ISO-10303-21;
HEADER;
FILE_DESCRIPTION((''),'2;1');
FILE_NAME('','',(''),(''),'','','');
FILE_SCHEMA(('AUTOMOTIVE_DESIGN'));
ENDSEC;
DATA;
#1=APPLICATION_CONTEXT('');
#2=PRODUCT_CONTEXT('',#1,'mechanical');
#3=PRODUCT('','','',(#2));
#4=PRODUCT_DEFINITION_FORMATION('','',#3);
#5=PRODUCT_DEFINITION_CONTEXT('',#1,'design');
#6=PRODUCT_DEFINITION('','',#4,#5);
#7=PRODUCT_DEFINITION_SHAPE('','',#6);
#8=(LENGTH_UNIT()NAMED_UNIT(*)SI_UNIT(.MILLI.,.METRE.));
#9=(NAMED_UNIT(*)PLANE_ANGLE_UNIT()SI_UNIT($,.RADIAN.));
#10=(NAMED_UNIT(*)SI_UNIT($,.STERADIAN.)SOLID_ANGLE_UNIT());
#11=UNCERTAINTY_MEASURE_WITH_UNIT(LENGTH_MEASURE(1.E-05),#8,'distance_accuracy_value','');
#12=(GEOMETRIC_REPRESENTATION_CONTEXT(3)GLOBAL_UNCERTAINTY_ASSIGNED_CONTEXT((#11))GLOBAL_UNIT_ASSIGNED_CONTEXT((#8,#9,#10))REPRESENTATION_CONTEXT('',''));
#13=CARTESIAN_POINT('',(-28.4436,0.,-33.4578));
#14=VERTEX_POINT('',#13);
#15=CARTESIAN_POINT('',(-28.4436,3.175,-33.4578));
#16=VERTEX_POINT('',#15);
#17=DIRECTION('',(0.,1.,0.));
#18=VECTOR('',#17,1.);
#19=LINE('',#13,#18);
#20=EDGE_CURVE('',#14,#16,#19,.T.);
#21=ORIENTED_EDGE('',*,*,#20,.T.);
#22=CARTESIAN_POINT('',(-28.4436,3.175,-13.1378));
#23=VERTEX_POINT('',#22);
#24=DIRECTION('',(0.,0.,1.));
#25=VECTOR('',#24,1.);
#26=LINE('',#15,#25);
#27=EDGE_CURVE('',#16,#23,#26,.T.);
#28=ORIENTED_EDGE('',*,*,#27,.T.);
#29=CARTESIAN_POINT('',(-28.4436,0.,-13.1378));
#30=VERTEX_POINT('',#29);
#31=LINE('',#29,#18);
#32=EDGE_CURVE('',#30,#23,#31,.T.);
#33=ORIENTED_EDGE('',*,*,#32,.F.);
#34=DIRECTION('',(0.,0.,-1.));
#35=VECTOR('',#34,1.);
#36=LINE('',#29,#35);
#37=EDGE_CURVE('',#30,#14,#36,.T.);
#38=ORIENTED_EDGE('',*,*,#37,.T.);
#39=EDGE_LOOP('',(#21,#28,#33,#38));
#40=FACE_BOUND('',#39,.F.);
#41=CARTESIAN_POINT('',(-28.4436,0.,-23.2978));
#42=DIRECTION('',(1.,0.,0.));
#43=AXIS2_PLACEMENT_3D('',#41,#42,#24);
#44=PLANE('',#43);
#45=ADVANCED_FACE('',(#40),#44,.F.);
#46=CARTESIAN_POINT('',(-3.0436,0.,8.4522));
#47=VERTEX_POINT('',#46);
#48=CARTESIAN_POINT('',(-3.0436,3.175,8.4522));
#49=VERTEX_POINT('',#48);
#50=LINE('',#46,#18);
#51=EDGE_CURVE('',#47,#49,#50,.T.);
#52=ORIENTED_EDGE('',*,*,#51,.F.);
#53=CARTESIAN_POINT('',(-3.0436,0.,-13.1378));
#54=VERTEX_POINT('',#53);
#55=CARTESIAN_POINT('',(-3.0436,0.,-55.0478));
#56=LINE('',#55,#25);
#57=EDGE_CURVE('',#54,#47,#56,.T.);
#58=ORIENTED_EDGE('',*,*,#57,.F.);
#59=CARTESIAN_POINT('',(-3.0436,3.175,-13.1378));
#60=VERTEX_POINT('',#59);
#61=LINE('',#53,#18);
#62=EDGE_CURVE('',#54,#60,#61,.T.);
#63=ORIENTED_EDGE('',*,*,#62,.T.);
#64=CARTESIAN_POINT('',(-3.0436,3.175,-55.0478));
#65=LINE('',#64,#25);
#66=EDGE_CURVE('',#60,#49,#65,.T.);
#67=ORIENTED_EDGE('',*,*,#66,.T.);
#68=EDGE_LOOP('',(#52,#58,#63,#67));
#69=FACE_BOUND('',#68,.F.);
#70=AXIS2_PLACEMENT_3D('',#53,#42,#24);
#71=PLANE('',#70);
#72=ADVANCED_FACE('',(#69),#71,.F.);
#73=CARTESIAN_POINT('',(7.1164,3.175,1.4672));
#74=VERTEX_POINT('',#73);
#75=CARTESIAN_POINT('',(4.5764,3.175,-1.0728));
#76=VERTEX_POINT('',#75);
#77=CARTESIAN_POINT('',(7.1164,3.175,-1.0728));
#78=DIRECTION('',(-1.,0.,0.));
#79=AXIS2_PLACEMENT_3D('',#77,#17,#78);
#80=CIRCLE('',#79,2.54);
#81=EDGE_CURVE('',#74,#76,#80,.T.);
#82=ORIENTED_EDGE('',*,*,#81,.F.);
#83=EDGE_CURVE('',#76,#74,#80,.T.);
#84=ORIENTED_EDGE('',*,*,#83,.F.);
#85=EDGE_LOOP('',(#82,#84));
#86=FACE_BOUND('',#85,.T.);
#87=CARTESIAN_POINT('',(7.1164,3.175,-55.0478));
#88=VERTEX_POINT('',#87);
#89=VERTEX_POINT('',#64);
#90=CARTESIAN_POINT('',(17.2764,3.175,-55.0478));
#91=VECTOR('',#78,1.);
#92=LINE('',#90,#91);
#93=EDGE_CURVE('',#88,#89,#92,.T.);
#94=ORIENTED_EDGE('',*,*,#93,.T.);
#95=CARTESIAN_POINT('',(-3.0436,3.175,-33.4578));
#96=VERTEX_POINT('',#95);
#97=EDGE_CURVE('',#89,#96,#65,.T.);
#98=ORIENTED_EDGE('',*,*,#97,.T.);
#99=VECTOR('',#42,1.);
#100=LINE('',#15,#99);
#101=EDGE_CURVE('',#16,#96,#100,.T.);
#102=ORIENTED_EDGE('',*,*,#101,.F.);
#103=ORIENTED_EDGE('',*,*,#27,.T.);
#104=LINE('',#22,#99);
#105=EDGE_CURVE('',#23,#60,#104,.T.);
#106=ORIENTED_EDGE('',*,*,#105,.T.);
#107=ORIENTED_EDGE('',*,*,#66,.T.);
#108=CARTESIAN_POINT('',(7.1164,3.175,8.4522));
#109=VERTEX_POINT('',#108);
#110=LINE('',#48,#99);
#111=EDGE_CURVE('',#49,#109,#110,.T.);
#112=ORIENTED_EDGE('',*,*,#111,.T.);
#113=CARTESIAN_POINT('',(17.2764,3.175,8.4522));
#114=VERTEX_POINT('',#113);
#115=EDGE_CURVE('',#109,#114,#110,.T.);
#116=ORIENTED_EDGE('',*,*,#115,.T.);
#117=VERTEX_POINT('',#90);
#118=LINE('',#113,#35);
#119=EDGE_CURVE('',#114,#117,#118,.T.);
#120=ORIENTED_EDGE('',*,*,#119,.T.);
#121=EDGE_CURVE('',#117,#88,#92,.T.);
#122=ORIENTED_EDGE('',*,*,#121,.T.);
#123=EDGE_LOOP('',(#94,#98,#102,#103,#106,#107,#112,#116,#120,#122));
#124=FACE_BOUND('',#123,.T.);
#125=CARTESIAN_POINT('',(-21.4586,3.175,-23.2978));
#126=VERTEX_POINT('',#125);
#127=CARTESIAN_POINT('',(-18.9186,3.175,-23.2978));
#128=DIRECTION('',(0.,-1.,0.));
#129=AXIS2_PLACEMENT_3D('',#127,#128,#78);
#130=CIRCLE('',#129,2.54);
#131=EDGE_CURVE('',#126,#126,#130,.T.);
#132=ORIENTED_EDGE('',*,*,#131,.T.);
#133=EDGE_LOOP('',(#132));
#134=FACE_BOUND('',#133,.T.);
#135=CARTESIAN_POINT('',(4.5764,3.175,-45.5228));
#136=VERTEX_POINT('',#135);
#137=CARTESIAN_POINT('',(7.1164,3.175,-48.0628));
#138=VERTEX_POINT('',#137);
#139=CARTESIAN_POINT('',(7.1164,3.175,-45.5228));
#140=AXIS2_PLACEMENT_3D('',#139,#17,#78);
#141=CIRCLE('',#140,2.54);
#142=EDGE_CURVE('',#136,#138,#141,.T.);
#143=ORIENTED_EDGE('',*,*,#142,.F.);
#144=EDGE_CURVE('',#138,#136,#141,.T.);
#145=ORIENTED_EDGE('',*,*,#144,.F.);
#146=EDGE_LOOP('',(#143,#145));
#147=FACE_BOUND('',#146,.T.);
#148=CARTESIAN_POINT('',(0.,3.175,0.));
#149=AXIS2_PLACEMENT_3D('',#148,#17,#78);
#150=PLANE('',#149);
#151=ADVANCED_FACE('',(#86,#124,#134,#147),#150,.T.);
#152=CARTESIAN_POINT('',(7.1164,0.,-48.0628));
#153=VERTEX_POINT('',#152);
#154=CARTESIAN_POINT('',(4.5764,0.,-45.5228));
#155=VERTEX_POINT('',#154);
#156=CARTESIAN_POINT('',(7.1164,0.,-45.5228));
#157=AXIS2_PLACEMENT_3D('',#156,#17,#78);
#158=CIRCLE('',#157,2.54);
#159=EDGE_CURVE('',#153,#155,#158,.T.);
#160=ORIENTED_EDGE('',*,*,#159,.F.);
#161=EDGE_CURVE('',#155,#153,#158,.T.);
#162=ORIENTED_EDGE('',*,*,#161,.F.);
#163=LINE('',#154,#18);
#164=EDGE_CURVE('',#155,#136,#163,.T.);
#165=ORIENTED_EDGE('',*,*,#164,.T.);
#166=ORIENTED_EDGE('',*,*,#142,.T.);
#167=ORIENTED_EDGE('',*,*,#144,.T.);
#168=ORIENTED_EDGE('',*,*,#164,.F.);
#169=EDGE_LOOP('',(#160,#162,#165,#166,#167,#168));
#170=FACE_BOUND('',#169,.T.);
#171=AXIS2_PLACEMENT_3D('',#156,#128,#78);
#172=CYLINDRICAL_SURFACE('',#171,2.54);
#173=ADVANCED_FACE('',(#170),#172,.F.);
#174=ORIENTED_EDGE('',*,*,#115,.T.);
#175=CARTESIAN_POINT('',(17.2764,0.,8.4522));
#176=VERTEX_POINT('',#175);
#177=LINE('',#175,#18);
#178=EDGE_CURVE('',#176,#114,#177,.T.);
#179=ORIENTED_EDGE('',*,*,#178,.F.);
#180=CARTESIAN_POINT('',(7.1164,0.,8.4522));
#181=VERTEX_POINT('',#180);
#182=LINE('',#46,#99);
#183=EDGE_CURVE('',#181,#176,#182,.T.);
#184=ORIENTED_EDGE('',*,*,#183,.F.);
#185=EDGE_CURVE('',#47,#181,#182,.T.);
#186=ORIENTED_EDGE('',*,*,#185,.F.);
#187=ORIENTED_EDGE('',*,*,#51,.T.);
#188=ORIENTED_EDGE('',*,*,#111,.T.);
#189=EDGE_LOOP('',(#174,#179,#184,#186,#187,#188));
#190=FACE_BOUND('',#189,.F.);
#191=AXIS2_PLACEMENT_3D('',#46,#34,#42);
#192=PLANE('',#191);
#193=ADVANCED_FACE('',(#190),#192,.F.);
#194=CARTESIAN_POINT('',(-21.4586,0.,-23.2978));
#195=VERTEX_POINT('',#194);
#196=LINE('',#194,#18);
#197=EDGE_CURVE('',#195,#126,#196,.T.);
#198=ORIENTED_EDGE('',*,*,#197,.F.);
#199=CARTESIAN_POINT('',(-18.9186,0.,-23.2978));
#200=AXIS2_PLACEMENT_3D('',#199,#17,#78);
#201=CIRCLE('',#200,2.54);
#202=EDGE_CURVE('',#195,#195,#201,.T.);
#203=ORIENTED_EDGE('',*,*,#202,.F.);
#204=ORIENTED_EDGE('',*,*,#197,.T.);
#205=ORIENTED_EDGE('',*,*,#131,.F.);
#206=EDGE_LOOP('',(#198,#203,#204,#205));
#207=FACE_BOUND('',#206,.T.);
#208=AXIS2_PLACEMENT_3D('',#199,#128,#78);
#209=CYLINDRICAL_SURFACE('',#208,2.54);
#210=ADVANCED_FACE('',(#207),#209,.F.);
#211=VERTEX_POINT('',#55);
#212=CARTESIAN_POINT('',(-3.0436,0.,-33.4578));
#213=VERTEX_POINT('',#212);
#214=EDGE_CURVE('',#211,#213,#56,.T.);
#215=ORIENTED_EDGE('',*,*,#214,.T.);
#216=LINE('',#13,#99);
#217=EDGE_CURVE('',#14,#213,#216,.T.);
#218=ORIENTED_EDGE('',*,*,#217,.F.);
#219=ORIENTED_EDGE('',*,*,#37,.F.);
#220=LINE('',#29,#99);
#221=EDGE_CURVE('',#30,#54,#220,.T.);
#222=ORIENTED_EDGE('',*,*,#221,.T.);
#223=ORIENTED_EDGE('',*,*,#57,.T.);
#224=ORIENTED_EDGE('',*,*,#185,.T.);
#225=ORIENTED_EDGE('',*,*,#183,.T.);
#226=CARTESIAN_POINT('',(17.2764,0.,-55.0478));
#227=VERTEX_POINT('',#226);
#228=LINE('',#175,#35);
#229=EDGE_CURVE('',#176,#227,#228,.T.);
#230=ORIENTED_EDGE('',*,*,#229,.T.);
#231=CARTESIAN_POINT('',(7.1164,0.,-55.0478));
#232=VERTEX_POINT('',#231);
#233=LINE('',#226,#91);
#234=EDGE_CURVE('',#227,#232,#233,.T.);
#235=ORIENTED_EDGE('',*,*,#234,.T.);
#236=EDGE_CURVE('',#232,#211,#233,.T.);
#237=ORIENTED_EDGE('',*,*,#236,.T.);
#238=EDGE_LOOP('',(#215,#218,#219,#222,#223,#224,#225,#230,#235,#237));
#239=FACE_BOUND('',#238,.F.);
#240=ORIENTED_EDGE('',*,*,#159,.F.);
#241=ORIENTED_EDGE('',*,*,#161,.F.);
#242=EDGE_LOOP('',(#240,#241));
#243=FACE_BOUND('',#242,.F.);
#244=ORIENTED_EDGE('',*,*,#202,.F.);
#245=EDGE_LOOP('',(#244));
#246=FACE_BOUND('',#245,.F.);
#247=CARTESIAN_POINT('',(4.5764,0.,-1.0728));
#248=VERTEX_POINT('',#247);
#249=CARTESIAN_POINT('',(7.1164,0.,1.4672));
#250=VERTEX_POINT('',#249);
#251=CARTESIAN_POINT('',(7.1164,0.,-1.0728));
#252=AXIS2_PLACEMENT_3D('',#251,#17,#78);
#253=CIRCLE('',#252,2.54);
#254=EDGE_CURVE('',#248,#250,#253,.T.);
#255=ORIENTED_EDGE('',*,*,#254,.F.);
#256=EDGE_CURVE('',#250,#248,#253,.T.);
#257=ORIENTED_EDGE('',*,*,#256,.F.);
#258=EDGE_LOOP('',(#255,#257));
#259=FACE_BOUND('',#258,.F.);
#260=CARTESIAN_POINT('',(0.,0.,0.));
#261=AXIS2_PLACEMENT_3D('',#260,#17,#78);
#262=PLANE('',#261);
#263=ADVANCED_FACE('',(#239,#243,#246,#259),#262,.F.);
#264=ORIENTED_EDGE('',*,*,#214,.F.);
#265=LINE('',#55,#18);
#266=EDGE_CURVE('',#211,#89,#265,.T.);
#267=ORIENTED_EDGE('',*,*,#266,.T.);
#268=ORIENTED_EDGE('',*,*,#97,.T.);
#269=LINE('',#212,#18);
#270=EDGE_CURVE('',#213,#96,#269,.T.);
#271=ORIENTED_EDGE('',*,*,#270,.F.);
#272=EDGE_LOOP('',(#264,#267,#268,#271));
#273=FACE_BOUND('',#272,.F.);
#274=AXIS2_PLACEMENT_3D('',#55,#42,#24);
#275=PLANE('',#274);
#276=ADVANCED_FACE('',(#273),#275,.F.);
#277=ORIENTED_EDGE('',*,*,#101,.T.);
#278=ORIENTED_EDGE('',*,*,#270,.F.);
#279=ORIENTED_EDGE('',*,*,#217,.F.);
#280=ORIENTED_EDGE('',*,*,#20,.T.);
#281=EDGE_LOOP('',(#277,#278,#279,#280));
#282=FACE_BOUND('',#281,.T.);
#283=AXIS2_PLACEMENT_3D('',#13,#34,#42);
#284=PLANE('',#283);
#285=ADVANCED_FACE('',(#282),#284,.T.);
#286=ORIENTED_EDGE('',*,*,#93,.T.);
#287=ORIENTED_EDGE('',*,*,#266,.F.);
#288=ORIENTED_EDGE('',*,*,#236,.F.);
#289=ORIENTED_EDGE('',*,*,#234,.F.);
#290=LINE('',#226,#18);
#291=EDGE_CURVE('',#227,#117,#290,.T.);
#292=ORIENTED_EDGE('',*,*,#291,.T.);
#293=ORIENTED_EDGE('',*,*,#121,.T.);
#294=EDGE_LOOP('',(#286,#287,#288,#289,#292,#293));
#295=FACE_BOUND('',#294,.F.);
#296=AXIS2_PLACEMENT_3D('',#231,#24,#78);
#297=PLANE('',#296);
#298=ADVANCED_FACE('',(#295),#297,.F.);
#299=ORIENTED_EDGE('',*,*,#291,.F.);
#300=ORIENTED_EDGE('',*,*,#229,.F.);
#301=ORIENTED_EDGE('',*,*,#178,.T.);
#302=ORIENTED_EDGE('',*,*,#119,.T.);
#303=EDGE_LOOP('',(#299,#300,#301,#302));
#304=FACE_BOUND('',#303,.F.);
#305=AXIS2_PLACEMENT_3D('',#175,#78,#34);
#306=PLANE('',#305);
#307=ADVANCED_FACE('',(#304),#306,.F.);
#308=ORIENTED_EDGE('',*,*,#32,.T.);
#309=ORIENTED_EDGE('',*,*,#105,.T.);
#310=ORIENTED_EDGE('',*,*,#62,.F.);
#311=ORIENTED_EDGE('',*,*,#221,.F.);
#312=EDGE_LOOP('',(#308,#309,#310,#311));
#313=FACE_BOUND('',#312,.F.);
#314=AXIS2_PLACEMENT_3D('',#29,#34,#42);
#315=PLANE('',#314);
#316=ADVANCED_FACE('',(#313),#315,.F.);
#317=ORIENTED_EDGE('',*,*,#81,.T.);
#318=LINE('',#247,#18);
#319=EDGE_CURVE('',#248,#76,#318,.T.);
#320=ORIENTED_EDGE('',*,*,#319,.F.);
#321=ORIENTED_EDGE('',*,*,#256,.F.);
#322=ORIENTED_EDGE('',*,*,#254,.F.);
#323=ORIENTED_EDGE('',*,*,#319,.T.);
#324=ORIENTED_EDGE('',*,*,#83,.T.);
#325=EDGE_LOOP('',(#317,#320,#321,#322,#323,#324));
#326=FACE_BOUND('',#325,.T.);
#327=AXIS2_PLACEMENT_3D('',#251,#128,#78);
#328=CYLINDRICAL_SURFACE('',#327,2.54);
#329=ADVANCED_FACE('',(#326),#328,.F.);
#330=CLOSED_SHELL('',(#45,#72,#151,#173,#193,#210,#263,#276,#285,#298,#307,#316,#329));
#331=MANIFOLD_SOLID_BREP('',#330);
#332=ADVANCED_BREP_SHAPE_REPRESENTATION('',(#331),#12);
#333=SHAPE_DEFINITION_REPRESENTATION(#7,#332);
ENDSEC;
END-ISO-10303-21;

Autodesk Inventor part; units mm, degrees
ref_plane "YZ Plane" through (0, 0, 0) normal (1, 0, 0) x (0, 1, 0)
ref_plane "XZ Plane" through (0, 0, 0) normal (0, 1, 0) x (-1, 0, 0)
ref_plane "XY Plane" through (0, 0, 0) normal (0, 0, 1) x (1, 0, 0)
sketch "Sketch1" plane through (0, 0, 0) normal (0, 1, 0) x (-1, 0, 0)
  line L0 (3.0436, 8.4522) -> (-17.2764, 8.4522)
  line L1 (-17.2764, 8.4522) -> (-17.2764, -55.0478)
  line L2 (-17.2764, -55.0478) -> (3.0436, -55.0478)
  line L3 (3.0436, -55.0478) -> (3.0436, 8.4522)
  line L4 (3.0436, -23.2978) -> (28.4436, -23.2978)
  line L5 (28.4436, -23.2978) -> (28.4436, -13.1378)
  line L6 (28.4436, -13.1378) -> (3.0436, -13.1378)
  line L7 (28.4436, -23.2978) -> (28.4436, -33.4578)
  line L8 (28.4436, -33.4578) -> (3.0436, -33.4578)
  line L9 (-7.1164, 8.4522) -> (-7.1164, -1.0728)
  line L10 (-7.1164, -55.0478) -> (-7.1164, -45.5228)
  circle A0 centre (-7.1164, -1.0728) radius 2.54
  circle A1 centre (-7.1164, -45.5228) radius 2.54
  line L11 (28.4436, -23.2978) -> (18.9186, -23.2978)
  circle A2 centre (18.9186, -23.2978) radius 2.54
  point P0 (0, 0)
  dimension "d0" = 20.32
  dimension "d1" = 63.5
  dimension "d2" = 25.4
  dimension "d3" = 10.16
  dimension "d4" = 10.16
  dimension "d5" = 9.525
  dimension "d6" = 9.525
  dimension "d7" = 5.08
  dimension "d8" = 5.08
  dimension "d9" = 9.525
  dimension "d10" = 5.08
extrude "Extrusion1" add sketch "Sketch1" along normal blind 3.175 contours L3 L2 L1 L0 | L6 L5 L4 A2 L3 | L4 A2 L7 L8 L3
properties part number "2020T"
